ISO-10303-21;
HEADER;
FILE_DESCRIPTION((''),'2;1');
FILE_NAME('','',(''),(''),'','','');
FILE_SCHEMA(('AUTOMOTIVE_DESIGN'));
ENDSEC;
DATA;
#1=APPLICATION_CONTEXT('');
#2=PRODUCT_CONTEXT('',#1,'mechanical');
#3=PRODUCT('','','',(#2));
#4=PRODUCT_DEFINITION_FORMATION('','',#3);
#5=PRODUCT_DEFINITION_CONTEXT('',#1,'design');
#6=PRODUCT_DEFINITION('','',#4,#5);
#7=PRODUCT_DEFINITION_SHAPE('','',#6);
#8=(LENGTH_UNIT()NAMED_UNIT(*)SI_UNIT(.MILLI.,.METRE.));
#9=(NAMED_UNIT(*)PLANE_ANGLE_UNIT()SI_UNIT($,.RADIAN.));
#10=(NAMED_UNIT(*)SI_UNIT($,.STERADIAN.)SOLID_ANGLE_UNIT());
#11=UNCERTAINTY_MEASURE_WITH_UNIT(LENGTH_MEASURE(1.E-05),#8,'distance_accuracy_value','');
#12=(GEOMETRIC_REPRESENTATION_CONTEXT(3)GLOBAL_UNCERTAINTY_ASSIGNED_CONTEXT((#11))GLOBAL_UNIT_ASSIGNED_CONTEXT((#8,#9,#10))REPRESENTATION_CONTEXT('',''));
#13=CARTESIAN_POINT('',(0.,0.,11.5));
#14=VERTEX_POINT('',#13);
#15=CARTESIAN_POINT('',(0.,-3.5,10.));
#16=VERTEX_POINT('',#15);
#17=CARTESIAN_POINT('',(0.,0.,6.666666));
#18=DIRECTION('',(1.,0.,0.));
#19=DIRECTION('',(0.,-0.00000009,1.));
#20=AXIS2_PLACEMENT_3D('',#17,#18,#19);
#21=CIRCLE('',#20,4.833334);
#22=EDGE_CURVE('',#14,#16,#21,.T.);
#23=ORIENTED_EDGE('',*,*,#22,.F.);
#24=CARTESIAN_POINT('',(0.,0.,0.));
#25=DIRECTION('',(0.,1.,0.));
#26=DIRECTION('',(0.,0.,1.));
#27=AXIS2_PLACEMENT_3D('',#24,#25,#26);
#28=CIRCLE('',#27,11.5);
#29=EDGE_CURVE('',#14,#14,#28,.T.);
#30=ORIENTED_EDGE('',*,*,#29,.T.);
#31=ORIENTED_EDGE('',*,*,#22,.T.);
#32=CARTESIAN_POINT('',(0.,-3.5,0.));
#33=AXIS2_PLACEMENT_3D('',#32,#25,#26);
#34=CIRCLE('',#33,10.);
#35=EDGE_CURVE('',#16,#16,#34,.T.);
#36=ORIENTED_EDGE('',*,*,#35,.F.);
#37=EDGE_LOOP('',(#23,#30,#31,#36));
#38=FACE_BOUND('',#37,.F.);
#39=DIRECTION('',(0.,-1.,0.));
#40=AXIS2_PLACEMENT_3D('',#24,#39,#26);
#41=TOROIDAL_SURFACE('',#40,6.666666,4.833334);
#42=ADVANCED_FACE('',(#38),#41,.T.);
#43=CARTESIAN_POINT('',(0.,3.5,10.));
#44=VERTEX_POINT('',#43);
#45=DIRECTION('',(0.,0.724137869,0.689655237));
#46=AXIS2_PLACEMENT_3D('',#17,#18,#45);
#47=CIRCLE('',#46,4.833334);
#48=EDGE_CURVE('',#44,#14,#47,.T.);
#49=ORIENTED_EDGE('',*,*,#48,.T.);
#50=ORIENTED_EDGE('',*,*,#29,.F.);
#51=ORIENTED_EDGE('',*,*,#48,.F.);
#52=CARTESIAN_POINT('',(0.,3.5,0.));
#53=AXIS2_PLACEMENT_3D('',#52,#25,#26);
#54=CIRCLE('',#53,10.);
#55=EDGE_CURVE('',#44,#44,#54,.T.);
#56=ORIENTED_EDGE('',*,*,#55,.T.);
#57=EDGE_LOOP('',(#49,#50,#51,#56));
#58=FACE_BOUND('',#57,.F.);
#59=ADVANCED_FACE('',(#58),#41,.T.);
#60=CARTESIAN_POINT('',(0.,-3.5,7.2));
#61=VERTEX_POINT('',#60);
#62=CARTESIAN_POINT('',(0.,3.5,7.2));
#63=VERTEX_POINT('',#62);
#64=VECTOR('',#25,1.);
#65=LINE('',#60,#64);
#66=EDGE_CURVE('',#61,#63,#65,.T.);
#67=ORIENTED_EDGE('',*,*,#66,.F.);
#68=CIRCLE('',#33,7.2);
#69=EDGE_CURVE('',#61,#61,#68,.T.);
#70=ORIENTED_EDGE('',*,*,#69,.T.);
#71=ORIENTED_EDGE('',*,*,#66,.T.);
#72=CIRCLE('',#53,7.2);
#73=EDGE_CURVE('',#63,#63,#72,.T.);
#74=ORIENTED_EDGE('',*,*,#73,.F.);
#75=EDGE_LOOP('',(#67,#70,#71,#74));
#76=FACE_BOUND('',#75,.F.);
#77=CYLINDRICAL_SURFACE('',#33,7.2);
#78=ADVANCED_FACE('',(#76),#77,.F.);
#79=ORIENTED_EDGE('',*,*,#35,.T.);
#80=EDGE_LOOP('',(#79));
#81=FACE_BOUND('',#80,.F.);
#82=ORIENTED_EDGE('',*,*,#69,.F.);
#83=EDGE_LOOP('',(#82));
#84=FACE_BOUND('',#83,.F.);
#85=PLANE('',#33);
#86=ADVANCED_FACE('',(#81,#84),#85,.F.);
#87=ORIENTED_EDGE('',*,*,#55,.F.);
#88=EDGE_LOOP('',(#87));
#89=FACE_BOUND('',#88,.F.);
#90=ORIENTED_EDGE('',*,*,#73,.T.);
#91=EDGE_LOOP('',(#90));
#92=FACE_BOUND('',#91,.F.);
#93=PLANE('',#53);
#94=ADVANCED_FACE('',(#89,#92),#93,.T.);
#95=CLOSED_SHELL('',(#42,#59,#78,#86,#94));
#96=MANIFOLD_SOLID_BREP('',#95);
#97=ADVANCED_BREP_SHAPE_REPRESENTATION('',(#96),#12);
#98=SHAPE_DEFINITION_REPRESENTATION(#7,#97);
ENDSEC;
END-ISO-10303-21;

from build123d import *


with BuildPart() as f1:
    # F0 (on Right) → F1 (revolve)
    with BuildSketch(Plane.YZ):
        with BuildLine():
            Line((-3.5, 10), (-3.5, 7.2))
            Line((-3.5, 7.2), (3.5, 7.2))
            Line((3.5, 7.2), (3.5, 10))
            ThreePointArc((3.5, 10), (1.903943, 11.109201), (0, 11.5))
            ThreePointArc((0, 11.5), (-1.903943, 11.109201), (-3.5, 10))
        make_face()
    revolve(axis=Axis((0, 0, 0), (0, 1, 0)))


solid = f1.part
